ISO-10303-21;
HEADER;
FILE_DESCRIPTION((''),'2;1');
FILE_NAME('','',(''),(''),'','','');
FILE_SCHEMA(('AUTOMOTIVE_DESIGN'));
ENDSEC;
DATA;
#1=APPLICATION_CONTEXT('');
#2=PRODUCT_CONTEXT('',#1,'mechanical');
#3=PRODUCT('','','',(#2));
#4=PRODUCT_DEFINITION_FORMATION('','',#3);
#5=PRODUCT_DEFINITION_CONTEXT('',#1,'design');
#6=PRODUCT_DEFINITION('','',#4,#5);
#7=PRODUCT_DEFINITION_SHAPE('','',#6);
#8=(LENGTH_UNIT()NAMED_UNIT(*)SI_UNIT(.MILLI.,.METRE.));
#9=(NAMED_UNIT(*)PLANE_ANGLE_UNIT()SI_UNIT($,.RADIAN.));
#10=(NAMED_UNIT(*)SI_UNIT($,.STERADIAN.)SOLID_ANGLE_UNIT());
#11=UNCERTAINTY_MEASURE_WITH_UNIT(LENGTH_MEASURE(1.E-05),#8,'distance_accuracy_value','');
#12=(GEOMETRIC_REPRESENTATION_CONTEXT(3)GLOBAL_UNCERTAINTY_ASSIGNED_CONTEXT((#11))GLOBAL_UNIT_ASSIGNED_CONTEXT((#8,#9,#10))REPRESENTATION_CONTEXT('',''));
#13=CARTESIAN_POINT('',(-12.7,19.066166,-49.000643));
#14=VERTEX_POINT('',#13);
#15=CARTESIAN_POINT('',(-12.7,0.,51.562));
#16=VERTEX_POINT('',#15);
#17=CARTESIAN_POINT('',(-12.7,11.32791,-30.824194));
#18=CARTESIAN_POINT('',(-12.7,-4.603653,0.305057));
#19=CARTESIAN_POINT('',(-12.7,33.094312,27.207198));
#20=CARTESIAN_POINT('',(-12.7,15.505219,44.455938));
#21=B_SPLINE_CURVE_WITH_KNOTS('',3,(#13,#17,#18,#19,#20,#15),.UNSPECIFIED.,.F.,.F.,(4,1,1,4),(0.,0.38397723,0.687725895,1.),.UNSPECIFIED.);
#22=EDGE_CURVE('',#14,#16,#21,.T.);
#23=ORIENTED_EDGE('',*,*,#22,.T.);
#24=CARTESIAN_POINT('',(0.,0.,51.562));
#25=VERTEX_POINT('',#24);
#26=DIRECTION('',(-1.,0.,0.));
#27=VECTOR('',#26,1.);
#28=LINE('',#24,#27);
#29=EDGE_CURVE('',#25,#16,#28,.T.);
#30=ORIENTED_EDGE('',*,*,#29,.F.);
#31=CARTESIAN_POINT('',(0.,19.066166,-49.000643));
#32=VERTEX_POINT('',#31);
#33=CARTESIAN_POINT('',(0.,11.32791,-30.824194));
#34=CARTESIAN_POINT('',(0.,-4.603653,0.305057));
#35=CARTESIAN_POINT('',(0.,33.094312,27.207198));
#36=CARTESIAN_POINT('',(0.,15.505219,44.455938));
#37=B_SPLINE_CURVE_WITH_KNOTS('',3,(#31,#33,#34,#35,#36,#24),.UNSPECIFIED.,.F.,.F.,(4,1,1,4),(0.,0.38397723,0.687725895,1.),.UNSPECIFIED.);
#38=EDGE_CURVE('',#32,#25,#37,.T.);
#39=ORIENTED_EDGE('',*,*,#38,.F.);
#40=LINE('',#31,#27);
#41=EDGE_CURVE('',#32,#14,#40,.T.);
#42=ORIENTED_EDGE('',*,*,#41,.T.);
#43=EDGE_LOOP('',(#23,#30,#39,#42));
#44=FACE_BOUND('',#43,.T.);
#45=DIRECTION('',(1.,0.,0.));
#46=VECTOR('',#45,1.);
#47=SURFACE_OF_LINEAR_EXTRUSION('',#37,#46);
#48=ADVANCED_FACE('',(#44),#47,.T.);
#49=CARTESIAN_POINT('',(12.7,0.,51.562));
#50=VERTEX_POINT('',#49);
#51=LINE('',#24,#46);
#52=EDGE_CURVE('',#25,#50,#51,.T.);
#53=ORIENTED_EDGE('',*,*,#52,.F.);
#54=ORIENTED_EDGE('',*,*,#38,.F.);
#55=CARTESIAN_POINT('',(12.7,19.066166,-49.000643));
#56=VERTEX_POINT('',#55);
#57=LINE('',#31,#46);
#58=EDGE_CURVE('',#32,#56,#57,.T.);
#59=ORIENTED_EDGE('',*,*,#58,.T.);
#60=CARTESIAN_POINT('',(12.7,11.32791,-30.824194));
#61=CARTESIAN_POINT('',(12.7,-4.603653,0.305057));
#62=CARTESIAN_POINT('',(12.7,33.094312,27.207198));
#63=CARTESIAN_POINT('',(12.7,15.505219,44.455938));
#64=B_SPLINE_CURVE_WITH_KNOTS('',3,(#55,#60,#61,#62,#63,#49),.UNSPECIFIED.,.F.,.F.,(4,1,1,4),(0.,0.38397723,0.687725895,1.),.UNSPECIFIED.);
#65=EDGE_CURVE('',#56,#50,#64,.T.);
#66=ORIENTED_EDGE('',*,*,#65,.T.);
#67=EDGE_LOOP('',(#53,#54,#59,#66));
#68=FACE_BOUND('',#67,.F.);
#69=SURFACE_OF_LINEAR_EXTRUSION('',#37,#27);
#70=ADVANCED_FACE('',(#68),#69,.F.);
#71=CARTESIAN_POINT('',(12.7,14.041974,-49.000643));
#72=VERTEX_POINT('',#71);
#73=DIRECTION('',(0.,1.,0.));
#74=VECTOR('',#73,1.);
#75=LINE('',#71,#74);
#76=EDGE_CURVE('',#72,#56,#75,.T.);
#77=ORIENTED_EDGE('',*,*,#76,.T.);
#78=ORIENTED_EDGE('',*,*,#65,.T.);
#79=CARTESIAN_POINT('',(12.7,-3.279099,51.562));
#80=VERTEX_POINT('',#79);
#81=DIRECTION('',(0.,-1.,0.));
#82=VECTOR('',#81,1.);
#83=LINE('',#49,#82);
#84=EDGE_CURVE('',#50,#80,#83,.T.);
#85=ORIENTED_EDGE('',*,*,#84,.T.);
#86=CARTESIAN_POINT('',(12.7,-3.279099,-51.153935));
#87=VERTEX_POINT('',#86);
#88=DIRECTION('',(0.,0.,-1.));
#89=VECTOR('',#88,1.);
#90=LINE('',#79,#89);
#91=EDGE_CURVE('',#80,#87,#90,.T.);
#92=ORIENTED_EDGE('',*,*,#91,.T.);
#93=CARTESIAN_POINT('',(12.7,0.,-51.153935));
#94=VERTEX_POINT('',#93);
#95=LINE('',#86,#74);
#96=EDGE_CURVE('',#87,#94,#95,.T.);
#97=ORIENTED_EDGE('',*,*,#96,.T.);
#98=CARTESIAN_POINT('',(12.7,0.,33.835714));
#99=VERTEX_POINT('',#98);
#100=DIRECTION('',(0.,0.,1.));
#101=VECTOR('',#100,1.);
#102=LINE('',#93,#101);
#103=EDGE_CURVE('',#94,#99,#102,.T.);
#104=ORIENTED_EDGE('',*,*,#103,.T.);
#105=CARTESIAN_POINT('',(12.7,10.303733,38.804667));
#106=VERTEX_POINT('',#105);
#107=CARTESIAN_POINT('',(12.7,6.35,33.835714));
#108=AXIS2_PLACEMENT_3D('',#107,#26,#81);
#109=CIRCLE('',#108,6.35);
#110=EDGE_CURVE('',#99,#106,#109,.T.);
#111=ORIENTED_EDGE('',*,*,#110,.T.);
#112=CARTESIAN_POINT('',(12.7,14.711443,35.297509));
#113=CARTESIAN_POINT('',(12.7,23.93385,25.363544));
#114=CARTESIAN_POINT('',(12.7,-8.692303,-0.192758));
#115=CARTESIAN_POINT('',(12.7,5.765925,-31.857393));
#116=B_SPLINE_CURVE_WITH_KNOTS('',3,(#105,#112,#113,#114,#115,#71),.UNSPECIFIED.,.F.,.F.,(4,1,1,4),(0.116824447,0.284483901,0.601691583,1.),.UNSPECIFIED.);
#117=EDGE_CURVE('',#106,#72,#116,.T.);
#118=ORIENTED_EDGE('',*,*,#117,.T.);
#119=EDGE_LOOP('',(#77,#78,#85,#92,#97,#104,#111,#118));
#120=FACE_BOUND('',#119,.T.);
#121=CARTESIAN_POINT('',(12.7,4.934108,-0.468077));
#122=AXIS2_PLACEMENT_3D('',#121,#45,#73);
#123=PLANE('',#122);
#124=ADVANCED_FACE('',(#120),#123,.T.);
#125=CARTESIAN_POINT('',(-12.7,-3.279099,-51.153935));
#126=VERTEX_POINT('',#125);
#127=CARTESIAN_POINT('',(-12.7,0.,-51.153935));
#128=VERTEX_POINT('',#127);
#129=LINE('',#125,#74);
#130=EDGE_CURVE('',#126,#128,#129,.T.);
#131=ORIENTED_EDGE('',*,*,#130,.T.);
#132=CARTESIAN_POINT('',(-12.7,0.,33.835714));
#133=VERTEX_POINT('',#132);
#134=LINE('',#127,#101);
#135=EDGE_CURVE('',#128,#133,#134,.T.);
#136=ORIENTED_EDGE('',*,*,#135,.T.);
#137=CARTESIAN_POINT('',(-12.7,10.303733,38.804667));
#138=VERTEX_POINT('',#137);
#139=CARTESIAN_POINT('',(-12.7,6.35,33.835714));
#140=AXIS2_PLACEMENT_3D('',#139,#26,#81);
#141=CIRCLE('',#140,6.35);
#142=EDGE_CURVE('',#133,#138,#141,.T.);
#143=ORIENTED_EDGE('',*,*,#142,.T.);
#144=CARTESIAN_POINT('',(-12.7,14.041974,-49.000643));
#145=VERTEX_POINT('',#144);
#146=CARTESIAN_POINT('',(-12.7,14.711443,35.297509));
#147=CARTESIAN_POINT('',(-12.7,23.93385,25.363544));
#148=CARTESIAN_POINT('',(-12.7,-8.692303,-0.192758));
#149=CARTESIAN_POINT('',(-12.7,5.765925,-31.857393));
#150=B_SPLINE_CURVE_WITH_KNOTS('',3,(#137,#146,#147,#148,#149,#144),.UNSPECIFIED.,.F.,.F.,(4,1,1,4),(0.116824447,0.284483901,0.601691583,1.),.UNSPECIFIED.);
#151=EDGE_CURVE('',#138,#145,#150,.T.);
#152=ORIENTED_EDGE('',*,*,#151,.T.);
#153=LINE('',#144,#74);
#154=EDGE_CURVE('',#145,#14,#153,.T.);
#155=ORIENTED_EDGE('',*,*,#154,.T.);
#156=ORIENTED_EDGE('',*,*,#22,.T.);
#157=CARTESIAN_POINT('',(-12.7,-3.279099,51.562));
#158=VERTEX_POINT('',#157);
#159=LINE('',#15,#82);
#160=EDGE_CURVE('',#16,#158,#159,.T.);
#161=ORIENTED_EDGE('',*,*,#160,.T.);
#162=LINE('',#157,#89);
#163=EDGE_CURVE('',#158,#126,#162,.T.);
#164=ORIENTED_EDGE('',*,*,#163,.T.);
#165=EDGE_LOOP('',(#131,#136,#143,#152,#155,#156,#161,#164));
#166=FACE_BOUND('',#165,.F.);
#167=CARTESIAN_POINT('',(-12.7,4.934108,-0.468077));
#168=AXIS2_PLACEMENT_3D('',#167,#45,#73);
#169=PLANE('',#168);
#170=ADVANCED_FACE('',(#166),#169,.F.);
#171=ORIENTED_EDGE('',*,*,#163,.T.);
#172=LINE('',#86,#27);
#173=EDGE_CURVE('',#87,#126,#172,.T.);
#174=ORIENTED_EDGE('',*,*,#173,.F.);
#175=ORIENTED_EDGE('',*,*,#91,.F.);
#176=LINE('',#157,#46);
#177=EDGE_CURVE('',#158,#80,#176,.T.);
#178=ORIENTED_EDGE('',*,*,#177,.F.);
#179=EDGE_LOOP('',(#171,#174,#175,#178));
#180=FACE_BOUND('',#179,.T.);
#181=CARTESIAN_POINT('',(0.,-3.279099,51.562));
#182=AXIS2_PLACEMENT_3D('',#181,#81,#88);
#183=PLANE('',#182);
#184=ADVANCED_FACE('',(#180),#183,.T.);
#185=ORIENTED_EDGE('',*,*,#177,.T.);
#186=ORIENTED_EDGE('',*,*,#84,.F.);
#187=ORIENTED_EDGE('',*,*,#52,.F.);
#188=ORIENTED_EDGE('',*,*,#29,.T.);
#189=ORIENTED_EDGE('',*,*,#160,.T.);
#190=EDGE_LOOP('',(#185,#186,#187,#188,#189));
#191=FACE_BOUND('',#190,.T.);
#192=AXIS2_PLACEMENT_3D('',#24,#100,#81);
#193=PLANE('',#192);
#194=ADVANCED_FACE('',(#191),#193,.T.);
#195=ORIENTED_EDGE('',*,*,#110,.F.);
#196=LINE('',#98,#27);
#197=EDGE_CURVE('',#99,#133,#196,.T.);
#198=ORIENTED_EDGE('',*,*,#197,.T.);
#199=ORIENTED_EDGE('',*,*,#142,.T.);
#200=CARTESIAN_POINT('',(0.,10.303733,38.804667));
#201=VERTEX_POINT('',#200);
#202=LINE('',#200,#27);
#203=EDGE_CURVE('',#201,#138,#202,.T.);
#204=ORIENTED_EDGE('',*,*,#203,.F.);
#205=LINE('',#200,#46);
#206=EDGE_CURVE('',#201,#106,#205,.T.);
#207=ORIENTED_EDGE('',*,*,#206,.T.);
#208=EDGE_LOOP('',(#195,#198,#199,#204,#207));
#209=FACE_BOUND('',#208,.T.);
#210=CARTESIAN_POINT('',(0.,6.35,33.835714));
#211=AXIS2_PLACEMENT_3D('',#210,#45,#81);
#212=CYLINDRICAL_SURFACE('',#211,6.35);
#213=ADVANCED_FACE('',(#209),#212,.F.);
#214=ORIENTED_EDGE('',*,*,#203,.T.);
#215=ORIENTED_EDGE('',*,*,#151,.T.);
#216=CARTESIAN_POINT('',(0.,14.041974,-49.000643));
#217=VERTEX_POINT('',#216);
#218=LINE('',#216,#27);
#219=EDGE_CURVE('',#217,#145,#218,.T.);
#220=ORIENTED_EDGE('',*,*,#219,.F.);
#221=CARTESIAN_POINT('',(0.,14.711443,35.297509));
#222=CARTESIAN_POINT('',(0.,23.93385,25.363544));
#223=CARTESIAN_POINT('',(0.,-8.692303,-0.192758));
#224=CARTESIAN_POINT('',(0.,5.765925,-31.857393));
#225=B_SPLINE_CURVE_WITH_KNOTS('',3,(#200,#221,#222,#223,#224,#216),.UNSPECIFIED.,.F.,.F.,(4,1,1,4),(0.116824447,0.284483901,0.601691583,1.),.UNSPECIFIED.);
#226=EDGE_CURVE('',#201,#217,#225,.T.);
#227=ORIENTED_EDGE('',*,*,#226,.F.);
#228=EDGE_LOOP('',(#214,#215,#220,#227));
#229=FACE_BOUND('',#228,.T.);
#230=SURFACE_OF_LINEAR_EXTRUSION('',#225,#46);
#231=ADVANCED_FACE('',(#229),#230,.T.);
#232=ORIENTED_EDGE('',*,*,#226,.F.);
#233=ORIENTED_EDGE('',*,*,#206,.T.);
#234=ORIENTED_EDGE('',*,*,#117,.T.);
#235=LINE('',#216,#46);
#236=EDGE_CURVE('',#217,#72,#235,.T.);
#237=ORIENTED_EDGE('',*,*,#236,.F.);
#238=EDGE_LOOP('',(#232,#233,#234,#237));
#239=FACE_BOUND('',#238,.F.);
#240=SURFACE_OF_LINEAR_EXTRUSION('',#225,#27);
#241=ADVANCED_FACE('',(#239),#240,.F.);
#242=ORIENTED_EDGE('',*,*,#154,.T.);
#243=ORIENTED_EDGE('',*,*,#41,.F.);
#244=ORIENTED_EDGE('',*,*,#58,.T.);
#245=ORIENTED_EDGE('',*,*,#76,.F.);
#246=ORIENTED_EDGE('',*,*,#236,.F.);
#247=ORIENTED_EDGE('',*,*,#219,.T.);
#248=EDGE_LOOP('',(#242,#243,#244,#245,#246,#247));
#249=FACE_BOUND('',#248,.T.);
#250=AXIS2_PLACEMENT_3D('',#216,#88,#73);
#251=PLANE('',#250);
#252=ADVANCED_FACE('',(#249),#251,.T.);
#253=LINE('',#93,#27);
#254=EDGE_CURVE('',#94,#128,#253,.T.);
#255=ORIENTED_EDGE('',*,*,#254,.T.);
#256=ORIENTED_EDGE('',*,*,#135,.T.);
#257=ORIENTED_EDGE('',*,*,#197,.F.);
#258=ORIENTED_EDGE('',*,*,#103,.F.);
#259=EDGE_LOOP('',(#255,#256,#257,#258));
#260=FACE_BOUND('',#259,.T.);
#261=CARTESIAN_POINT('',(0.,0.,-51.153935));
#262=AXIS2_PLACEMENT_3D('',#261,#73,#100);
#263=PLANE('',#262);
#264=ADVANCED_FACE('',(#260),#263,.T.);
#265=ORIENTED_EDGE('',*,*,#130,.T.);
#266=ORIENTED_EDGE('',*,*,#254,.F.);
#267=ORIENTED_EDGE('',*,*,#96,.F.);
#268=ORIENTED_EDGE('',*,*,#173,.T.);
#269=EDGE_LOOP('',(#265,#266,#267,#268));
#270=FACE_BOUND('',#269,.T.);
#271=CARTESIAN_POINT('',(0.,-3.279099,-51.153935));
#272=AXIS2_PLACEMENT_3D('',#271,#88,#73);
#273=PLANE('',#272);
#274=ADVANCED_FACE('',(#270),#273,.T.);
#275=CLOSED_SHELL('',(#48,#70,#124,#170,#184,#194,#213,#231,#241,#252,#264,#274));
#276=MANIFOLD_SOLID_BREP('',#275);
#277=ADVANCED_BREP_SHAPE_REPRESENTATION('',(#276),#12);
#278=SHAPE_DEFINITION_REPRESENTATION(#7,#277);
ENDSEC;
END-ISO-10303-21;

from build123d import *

# Parameters (mm, degrees)
F1_DEPTH = 12.7


with BuildPart() as f1:
    # F0 (on Right) → F1 (new body, symmetric)
    with BuildSketch(Plane.YZ):
        with BuildLine():
            ThreePointArc((0, 33.8357138088), (3.5917126188, 39.5553598401), (10.3037325111, 38.8046673436))
            add(Edge.make_bspline(
                [(10.3037325111, 38.8046673436), (14.7114430925, 35.2975086424), (23.9338495375, 25.3635444813), (-8.692302749, -0.1927579661), (5.7659247482, -31.8573934455), (14.0419742092, -49.0006431937)],
                knots=[0.1168244474, 0.1168244474, 0.1168244474, 0.1168244474, 0.2844839008, 0.6016915831, 1, 1, 1, 1], degree=3))
            Line((14.0419742092, -49.0006431937), (19.0661661327, -49.0006431937))
            add(Edge.make_bspline(
                [(19.0661661327, -49.0006431937), (11.3279098169, -30.8241943749), (-4.6036525703, 0.3050573067), (33.0943124877, 27.207197858), (15.5052188784, 44.4559380412), (0, 51.562)],
                knots=[0, 0, 0, 0, 0.3839772298, 0.6877258948, 1, 1, 1, 1], degree=3))
            Line((0, 51.562), (-3.2790985424, 51.562))
            Line((-3.2790985424, 51.562), (-3.2790985424, -51.153935492))
            Line((-3.2790985424, -51.153935492), (0, -51.153935492))
            Line((0, -51.153935492), (0, 33.8357138088))
        make_face()
    extrude(amount=F1_DEPTH, both=True)


solid = f1.part
